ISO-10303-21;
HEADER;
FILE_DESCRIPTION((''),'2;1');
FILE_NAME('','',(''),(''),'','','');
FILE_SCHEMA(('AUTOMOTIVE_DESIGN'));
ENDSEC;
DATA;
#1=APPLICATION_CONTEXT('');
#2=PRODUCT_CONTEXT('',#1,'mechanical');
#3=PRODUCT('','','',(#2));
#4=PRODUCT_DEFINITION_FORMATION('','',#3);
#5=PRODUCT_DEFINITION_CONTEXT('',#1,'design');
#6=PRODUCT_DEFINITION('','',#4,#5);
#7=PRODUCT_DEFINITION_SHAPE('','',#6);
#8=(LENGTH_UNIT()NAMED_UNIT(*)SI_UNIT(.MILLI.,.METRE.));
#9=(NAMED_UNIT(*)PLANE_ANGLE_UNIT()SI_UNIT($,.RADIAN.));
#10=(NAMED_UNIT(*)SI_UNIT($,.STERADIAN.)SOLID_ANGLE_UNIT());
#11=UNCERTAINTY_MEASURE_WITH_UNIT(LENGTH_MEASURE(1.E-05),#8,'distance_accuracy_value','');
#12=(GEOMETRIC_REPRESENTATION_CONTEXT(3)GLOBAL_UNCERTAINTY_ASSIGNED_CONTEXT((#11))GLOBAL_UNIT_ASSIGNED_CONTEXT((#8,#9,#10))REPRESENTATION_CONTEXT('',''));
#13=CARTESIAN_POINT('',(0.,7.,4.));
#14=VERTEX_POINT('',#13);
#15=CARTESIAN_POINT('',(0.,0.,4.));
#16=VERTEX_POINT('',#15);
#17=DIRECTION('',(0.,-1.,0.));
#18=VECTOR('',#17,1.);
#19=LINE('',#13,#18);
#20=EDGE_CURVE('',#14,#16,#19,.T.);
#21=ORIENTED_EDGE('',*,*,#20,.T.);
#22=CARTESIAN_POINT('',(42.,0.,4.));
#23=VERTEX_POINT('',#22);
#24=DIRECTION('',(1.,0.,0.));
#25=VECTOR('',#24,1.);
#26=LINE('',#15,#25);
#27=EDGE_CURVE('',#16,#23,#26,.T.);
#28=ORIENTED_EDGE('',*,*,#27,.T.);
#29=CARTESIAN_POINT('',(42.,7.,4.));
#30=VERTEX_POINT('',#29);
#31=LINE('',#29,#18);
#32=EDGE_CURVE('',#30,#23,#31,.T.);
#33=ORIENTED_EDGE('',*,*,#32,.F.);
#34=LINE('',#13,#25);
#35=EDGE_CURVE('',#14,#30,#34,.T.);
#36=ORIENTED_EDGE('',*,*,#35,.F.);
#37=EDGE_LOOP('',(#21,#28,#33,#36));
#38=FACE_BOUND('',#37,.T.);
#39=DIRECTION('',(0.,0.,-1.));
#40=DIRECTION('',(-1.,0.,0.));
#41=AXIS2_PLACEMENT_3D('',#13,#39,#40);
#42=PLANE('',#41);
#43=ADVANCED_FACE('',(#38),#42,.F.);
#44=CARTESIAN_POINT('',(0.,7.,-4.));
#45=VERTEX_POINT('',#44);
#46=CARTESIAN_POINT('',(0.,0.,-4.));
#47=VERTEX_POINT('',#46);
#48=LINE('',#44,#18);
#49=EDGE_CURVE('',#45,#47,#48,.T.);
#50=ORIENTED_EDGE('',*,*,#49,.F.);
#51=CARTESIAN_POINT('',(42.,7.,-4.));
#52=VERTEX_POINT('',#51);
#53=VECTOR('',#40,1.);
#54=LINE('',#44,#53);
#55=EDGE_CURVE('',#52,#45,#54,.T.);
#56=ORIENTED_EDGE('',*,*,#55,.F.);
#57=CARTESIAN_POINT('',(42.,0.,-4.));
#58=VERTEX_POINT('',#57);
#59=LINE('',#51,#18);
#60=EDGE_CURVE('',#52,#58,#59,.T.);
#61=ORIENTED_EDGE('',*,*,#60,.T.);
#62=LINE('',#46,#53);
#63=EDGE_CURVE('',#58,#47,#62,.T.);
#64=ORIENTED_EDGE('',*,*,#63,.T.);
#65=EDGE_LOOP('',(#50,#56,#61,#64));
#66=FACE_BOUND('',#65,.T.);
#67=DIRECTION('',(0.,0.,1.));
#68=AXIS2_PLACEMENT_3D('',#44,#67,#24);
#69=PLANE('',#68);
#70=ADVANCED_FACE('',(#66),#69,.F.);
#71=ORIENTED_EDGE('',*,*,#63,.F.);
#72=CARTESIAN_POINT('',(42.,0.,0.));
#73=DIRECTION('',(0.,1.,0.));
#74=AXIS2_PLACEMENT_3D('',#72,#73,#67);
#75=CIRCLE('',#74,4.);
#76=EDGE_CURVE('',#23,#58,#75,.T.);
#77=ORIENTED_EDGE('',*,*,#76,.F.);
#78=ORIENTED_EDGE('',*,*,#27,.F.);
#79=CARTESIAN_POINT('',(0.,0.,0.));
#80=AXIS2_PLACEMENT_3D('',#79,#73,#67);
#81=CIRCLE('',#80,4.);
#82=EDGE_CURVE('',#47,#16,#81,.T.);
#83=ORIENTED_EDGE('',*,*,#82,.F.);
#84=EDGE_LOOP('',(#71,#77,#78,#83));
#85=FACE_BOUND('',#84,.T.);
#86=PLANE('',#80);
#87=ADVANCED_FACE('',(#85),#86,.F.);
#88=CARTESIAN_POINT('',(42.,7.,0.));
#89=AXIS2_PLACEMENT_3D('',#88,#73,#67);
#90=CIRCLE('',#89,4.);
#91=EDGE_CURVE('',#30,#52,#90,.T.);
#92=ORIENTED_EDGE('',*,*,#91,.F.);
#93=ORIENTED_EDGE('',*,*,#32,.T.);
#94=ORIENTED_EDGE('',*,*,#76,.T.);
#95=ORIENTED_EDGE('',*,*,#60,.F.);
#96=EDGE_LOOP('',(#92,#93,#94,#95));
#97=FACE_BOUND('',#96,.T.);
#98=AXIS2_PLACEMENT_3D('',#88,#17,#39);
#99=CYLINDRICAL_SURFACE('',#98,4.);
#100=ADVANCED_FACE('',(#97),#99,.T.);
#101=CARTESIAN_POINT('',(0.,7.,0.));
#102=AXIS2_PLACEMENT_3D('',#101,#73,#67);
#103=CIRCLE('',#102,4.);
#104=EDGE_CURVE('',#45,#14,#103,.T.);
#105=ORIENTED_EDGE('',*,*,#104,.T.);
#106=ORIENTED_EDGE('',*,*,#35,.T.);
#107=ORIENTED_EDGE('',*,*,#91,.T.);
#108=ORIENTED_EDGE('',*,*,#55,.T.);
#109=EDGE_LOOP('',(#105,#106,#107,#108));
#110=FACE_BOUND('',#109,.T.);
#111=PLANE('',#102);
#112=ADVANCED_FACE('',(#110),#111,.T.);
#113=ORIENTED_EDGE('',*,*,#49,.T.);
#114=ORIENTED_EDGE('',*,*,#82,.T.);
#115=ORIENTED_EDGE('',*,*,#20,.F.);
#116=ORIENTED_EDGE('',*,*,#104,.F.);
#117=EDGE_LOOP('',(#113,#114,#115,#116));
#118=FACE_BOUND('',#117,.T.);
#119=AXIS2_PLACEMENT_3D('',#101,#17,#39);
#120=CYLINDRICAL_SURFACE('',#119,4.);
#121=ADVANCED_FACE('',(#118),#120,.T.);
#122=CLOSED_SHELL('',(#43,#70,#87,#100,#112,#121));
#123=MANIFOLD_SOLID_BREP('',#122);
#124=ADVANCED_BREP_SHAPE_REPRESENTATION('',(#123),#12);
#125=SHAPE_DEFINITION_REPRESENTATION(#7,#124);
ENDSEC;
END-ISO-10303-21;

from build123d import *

# Parameters (mm, degrees)
EXTRUDE_1_DEPTH = 7


with BuildPart() as part:
    # Эскиз1 → Бобышка-Вытянуть1 (new body)
    with BuildSketch(Plane(origin=(0, 0, 0), x_dir=(1, 0, 0), z_dir=(0, 1, 0))):
        with BuildLine():
            Line((0, 4), (42, 4))
            ThreePointArc((42, 4), (46, 0), (42, -4))
            Line((42, -4), (0, -4))
            ThreePointArc((0, -4), (-4, 0), (0, 4))
        make_face()
    extrude(amount=EXTRUDE_1_DEPTH)


solid = part.part
